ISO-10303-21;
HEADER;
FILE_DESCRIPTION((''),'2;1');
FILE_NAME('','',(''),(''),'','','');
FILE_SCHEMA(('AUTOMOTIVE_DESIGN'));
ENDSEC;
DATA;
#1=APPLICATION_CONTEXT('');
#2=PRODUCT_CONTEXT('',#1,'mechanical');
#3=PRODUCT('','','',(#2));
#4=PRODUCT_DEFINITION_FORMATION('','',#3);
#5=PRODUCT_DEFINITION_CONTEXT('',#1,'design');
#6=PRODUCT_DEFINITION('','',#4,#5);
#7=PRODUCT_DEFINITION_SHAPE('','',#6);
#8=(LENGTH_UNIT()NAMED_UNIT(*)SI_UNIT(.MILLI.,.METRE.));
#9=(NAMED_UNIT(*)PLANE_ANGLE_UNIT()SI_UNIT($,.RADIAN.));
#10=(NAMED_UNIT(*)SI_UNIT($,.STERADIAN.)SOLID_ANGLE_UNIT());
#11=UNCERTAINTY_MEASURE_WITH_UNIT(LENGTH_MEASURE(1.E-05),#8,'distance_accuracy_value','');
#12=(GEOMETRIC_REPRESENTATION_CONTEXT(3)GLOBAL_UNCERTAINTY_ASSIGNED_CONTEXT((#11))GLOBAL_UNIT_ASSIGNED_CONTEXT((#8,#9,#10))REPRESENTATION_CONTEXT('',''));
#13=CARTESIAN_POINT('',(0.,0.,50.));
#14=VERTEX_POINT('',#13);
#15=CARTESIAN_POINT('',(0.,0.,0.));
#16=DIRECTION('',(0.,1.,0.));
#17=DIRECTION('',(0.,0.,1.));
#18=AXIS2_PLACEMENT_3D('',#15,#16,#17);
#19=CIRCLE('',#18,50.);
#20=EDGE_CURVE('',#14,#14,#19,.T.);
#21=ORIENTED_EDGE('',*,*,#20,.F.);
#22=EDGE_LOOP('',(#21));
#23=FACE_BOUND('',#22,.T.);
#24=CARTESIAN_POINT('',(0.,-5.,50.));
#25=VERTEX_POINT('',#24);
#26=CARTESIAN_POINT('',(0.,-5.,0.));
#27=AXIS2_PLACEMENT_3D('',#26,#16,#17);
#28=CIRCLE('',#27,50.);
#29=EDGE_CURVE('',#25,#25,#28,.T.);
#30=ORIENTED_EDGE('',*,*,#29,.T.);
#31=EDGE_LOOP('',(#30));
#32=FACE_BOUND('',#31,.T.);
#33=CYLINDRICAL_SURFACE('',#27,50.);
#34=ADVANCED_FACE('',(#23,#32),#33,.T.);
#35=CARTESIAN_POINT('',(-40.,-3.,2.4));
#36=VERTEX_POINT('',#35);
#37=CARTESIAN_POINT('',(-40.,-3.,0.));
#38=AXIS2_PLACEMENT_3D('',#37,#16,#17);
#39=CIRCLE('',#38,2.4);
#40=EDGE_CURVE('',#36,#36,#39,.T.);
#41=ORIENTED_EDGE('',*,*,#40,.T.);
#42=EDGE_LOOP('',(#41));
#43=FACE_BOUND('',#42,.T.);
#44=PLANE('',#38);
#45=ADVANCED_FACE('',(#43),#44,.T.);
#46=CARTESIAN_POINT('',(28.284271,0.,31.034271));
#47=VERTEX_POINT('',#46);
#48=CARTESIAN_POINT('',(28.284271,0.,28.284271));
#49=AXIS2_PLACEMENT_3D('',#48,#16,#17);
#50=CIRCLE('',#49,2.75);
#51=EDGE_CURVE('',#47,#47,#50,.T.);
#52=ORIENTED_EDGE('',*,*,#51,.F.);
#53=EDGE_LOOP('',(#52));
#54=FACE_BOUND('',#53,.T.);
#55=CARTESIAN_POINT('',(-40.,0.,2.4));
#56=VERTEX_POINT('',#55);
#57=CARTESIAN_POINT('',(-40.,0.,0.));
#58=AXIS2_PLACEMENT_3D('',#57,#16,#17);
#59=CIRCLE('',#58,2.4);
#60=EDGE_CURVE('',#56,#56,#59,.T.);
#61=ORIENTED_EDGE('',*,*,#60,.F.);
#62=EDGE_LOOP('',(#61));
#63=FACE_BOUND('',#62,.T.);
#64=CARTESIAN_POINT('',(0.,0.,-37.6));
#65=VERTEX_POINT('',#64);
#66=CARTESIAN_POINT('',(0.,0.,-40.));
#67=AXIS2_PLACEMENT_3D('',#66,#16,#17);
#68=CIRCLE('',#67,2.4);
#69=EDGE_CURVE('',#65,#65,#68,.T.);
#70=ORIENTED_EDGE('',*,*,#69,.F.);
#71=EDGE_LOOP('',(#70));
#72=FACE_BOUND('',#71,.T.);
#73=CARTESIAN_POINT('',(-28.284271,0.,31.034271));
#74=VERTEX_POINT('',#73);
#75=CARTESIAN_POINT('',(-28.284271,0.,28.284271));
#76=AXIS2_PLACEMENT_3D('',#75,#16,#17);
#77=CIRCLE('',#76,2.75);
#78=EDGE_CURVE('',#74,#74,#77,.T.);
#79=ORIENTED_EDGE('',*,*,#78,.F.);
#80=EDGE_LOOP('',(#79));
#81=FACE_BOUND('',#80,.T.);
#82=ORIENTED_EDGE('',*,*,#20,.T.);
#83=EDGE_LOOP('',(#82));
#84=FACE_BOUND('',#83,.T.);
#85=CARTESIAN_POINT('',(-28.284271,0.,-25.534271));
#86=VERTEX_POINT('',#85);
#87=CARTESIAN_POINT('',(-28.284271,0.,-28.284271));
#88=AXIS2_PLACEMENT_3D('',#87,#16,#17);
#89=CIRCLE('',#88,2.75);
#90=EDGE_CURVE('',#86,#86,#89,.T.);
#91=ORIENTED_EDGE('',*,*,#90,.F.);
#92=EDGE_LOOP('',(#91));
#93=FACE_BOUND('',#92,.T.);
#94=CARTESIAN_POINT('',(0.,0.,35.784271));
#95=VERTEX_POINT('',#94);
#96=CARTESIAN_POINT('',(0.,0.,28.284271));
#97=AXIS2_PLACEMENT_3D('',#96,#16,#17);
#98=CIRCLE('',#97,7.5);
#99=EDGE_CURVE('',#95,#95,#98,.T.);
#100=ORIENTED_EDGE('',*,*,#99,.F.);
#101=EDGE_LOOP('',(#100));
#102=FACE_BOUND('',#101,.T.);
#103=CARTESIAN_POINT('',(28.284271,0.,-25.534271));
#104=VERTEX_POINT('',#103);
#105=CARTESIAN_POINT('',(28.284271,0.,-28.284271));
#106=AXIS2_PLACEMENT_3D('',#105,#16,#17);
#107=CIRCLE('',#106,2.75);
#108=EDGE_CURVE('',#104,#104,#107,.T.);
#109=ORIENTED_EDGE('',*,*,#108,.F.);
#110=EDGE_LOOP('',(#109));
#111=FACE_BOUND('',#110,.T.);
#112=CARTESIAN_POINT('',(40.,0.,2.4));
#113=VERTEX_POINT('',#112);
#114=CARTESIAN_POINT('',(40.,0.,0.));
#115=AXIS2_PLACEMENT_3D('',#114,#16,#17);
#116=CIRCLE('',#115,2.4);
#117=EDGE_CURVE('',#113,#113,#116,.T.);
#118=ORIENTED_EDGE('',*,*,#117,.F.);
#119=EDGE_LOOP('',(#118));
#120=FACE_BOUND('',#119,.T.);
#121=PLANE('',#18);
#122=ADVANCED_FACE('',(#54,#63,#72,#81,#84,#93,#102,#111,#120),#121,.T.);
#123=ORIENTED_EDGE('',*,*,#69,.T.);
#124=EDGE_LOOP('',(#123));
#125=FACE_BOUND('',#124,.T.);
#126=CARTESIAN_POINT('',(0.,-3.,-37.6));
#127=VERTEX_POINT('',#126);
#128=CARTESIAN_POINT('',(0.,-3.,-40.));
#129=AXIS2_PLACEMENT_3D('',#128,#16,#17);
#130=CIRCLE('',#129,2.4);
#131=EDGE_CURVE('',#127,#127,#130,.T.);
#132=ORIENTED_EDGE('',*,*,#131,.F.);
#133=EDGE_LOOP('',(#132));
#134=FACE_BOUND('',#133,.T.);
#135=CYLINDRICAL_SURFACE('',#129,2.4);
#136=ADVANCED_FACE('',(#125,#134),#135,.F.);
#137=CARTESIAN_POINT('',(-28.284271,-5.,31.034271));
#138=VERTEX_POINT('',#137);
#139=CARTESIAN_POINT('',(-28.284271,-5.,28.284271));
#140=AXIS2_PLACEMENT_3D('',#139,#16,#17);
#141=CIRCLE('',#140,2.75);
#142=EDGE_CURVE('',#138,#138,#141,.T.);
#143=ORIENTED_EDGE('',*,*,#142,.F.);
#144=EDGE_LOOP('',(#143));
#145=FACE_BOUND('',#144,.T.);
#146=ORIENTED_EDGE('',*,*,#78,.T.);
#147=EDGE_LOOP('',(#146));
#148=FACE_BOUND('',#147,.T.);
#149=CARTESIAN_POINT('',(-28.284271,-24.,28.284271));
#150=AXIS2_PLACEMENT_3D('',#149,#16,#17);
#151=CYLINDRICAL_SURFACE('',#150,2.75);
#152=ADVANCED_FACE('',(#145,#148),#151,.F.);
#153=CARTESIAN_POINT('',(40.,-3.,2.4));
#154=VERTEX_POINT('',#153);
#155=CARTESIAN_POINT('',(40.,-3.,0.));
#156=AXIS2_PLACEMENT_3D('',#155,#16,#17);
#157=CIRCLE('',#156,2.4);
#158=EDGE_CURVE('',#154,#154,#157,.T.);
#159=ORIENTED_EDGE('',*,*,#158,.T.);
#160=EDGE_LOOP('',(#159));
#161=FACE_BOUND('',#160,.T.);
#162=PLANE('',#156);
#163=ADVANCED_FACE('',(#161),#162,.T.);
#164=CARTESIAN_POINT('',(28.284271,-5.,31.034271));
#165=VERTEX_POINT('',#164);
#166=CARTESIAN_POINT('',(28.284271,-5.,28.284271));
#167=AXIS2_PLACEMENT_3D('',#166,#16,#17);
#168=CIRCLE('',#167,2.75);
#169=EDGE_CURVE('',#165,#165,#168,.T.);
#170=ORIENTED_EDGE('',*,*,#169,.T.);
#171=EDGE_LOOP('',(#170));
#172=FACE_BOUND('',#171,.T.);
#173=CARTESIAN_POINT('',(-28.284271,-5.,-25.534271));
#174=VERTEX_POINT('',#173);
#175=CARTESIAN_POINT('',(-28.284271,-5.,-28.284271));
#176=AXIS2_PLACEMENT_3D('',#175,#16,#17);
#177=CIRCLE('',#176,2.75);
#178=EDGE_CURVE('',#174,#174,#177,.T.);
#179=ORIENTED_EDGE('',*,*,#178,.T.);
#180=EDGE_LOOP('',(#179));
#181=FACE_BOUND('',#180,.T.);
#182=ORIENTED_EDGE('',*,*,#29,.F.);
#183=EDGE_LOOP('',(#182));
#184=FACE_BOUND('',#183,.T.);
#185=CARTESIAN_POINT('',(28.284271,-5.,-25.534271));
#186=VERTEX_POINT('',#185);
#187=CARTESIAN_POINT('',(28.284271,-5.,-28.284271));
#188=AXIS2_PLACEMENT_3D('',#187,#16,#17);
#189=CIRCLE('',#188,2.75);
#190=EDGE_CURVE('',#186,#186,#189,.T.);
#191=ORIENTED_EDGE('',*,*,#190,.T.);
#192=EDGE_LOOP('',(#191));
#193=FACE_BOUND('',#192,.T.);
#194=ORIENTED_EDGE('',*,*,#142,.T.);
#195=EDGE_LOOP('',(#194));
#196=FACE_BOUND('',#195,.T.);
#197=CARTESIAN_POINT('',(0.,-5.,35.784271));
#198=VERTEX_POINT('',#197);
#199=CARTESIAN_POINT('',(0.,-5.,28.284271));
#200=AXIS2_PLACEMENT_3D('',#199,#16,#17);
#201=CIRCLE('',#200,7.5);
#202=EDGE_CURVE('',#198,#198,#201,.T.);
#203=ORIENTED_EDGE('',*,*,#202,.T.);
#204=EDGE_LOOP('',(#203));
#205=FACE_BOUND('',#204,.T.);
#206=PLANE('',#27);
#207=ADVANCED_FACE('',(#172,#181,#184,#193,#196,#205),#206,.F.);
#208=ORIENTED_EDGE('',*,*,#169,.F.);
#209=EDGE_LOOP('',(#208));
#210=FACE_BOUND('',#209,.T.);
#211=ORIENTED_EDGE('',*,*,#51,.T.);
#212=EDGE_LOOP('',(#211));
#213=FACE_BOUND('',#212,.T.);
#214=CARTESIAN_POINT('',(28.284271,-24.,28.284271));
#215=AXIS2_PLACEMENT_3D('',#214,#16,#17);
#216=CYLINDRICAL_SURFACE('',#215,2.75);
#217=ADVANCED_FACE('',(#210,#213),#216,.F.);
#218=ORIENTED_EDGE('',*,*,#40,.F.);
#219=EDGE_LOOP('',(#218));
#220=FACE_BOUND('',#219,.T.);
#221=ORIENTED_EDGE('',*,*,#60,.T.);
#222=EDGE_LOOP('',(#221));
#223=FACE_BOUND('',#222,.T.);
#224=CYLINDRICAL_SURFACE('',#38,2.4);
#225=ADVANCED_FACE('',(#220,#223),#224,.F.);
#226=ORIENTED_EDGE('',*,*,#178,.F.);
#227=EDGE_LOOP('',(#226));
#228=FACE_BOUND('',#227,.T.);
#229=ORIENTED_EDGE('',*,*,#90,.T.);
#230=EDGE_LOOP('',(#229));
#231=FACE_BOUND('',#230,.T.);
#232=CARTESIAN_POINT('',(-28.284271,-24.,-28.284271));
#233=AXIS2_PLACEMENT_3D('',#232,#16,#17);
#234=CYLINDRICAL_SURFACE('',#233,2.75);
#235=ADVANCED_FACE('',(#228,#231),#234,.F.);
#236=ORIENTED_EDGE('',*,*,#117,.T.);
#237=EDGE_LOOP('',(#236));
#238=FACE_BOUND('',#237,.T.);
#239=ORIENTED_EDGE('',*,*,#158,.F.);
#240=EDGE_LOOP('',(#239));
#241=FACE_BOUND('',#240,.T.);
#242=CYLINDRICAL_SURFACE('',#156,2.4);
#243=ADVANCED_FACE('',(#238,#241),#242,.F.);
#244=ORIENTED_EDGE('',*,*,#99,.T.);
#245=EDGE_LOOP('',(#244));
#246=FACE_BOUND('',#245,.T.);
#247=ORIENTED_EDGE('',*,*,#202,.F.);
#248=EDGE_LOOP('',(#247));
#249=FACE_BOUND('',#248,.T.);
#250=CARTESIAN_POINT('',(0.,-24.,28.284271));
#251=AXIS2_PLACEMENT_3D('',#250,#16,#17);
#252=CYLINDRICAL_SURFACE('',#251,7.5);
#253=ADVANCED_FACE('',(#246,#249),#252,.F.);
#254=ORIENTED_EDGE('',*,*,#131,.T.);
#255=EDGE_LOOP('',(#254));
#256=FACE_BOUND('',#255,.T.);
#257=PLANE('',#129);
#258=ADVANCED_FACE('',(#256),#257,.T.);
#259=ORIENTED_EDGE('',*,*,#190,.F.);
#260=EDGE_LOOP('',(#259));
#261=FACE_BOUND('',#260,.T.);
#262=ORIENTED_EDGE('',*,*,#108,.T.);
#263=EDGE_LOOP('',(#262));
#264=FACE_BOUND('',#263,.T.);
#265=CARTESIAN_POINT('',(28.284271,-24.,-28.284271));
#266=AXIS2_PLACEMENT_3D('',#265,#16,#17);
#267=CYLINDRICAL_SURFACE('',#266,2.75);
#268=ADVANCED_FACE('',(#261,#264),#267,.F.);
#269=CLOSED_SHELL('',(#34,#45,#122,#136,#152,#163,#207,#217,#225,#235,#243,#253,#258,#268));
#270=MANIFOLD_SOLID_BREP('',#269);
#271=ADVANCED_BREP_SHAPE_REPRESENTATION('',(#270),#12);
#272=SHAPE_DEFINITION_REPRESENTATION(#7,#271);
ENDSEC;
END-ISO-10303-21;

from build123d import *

# Parameters (mm, degrees)
SKETCH_1_R          = 50
EXTRUDE_1_DEPTH     = 5
SKETCH_5_R          = 2.75
CUT_EXTRUDE_4_DEPTH = 24
SKETCH_6_R          = 7.5
CUT_EXTRUDE_5_DEPTH = 24
SKETCH_7_R          = 2.4
CUT_EXTRUDE_6_DEPTH = 3


with BuildPart() as part:
    # 草图1 → 凸台-拉伸1 (new body)
    with BuildSketch(Plane(origin=(0, 0, 0), x_dir=(1, 0, 0), z_dir=(0, 1, 0))):
        with Locations(Location((0, 0, 0), (0, 0, 270))):
            Circle(SKETCH_1_R)
    extrude(amount=-EXTRUDE_1_DEPTH)

    # 草图5 → 切除-拉伸4 (cut)
    with BuildSketch(Plane(origin=(0, 0, 0), x_dir=(1, 0, 0), z_dir=(0, 1, 0))):
        with Locations(Location((28.284271247, 28.284271247, 0), (0, 0, 270))):
            Circle(SKETCH_5_R)
        with Locations(Location((28.284271247, -28.284271247, 0), (0, 0, 270))):
            Circle(SKETCH_5_R)
        with Locations(Location((-28.284271247, -28.284271247, 0), (0, 0, 270))):
            Circle(SKETCH_5_R)
        with Locations(Location((-28.284271247, 28.284271247, 0), (0, 0, 270))):
            Circle(SKETCH_5_R)
    extrude(amount=-CUT_EXTRUDE_4_DEPTH, mode=Mode.SUBTRACT)

    # 草图6 → 切除-拉伸5 (cut)
    with BuildSketch(Plane(origin=(0, 0, 0), x_dir=(1, 0, 0), z_dir=(0, 1, 0))):
        with Locations(Location((0, -28.284271247, 0), (0, 0, 270))):
            Circle(SKETCH_6_R)
    extrude(amount=-CUT_EXTRUDE_5_DEPTH, mode=Mode.SUBTRACT)

    # 草图7 → 切除-拉伸6 (cut)
    with BuildSketch(Plane(origin=(0, 0, 0), x_dir=(1, 0, 0), z_dir=(0, 1, 0))):
        with Locations(Location((40, 0, 0), (0, 0, 270))):
            Circle(SKETCH_7_R)
        with Locations(Location((0, 40, 0), (0, 0, 270))):
            Circle(SKETCH_7_R)
        with Locations(Location((-40, 0, 0), (0, 0, 270))):
            Circle(SKETCH_7_R)
    extrude(amount=-CUT_EXTRUDE_6_DEPTH, mode=Mode.SUBTRACT)


solid = part.part
